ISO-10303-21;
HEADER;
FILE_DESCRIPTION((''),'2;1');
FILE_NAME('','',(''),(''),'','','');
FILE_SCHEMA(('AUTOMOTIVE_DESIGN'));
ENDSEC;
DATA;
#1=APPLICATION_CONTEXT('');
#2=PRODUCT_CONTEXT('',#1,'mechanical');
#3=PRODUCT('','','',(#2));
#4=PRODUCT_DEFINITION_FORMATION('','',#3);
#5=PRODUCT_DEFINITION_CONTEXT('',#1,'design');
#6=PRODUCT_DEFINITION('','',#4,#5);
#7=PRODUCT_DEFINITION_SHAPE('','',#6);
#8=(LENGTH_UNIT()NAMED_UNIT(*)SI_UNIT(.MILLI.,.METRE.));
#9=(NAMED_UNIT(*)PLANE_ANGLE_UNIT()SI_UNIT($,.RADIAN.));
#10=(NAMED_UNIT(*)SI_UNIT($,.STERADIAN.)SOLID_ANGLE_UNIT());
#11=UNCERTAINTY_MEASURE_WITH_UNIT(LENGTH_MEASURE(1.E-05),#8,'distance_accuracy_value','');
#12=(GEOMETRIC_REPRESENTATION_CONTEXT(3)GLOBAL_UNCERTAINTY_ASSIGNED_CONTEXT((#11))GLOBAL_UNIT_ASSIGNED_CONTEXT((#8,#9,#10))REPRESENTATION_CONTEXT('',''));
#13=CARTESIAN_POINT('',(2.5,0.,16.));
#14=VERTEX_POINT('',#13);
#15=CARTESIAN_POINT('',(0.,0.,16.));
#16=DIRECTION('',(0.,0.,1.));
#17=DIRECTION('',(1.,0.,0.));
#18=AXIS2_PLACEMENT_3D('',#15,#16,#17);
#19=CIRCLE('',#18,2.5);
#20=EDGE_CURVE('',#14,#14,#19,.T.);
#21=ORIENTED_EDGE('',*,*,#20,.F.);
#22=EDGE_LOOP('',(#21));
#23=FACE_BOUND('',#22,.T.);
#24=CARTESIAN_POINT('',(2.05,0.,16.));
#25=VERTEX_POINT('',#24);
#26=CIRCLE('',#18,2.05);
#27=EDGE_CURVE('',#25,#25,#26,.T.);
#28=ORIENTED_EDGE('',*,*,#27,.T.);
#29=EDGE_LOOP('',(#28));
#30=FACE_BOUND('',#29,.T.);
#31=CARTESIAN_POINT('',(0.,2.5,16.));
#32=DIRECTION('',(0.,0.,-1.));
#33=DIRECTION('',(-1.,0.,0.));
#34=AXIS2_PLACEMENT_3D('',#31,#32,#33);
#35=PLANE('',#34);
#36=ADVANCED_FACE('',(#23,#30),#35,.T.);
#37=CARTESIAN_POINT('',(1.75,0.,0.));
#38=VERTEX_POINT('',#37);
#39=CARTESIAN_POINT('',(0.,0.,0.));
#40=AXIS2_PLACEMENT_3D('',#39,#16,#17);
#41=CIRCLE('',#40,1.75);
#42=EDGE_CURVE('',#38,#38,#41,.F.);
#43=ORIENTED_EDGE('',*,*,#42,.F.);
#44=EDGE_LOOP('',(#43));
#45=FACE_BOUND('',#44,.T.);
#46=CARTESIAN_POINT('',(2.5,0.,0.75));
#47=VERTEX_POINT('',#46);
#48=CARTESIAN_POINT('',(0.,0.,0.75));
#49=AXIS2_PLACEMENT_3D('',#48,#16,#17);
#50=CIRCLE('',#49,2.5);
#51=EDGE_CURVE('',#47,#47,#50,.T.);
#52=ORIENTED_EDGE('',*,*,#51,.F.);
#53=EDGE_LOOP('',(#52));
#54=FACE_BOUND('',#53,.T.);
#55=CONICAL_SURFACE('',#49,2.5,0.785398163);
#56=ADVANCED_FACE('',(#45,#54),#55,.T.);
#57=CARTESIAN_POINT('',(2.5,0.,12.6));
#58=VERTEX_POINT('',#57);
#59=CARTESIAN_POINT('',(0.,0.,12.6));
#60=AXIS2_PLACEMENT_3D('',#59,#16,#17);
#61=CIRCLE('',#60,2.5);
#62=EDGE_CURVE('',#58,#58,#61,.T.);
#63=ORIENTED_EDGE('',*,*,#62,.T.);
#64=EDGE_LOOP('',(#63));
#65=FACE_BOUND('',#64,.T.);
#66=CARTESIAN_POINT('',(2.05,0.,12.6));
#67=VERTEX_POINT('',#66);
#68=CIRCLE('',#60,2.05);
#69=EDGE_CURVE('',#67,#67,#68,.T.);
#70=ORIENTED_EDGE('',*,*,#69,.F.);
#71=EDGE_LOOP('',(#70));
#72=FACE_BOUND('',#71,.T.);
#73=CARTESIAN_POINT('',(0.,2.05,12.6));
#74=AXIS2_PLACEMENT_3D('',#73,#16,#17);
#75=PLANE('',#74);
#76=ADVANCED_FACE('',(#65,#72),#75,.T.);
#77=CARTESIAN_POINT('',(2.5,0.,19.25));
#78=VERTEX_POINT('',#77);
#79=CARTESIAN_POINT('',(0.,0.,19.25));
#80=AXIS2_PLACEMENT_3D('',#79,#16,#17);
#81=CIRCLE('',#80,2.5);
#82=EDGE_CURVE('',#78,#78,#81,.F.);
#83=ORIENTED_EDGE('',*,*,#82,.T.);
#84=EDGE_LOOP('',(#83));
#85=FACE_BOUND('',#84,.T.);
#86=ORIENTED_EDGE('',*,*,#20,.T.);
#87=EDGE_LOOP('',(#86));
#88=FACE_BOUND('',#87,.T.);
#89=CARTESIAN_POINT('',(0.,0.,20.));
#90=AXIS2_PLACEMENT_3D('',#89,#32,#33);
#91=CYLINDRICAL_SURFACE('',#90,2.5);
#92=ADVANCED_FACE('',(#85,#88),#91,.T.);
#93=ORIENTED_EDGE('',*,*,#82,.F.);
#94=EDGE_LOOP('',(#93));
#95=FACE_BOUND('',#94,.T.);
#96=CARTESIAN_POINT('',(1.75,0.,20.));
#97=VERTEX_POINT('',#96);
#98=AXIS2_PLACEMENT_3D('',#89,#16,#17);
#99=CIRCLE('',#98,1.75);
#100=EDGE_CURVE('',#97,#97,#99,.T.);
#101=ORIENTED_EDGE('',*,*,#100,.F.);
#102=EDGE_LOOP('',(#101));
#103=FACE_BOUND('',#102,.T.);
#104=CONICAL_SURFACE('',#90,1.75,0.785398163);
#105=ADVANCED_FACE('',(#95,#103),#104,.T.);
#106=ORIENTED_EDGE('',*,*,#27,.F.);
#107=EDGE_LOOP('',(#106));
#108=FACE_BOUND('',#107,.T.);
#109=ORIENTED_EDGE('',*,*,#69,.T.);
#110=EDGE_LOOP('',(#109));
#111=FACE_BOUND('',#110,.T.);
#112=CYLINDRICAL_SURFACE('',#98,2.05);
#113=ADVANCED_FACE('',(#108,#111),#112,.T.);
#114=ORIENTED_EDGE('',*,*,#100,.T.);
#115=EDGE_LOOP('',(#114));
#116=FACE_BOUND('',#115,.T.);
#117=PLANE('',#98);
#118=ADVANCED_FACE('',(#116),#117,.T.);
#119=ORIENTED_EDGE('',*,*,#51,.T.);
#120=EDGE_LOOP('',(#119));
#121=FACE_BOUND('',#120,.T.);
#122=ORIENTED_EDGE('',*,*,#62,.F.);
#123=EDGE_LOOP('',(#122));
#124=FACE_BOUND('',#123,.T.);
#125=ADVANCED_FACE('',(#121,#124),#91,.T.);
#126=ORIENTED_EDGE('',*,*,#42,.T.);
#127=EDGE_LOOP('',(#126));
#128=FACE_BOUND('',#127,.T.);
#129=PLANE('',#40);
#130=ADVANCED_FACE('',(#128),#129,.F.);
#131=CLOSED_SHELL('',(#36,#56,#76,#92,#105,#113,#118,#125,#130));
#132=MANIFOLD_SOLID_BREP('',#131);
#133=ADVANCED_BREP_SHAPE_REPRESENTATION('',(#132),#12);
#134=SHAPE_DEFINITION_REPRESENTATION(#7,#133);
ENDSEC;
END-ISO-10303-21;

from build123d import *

# Parameters (mm, degrees)
SKETCH_1_R      = 2.5
EXTRUDE_1_DEPTH = 20
CHAMFER_1_SIZE  = 0.75
SKETCH_2_W      = 3.4
SKETCH_2_H      = 0.45


with BuildPart() as part:
    # Эскиз1 → Бобышка-Вытянуть1 (new body)
    with BuildSketch(Plane.XY):
        Circle(SKETCH_1_R)
    extrude(amount=EXTRUDE_1_DEPTH)

    # Фаска1
    chamfer_1_edges = [part.edges().sort_by_distance(p)[0] for p in [
        (-2.5, 0, 20),
        (-2.5, 0, 0),
    ]]
    chamfer(chamfer_1_edges, length=CHAMFER_1_SIZE)

    # Эскиз2 → Вырез-Повернуть1 (revolve, cut)
    with BuildSketch(Plane(origin=(0, 0, 0), x_dir=(0, 0, -1), z_dir=(1, 0, 0))):
        with Locations((-14.3, 2.275)):
            Rectangle(SKETCH_2_W, SKETCH_2_H)
    revolve(axis=Axis((0, 0, 20), (0, 0, -1)), mode=Mode.SUBTRACT)


solid = part.part
